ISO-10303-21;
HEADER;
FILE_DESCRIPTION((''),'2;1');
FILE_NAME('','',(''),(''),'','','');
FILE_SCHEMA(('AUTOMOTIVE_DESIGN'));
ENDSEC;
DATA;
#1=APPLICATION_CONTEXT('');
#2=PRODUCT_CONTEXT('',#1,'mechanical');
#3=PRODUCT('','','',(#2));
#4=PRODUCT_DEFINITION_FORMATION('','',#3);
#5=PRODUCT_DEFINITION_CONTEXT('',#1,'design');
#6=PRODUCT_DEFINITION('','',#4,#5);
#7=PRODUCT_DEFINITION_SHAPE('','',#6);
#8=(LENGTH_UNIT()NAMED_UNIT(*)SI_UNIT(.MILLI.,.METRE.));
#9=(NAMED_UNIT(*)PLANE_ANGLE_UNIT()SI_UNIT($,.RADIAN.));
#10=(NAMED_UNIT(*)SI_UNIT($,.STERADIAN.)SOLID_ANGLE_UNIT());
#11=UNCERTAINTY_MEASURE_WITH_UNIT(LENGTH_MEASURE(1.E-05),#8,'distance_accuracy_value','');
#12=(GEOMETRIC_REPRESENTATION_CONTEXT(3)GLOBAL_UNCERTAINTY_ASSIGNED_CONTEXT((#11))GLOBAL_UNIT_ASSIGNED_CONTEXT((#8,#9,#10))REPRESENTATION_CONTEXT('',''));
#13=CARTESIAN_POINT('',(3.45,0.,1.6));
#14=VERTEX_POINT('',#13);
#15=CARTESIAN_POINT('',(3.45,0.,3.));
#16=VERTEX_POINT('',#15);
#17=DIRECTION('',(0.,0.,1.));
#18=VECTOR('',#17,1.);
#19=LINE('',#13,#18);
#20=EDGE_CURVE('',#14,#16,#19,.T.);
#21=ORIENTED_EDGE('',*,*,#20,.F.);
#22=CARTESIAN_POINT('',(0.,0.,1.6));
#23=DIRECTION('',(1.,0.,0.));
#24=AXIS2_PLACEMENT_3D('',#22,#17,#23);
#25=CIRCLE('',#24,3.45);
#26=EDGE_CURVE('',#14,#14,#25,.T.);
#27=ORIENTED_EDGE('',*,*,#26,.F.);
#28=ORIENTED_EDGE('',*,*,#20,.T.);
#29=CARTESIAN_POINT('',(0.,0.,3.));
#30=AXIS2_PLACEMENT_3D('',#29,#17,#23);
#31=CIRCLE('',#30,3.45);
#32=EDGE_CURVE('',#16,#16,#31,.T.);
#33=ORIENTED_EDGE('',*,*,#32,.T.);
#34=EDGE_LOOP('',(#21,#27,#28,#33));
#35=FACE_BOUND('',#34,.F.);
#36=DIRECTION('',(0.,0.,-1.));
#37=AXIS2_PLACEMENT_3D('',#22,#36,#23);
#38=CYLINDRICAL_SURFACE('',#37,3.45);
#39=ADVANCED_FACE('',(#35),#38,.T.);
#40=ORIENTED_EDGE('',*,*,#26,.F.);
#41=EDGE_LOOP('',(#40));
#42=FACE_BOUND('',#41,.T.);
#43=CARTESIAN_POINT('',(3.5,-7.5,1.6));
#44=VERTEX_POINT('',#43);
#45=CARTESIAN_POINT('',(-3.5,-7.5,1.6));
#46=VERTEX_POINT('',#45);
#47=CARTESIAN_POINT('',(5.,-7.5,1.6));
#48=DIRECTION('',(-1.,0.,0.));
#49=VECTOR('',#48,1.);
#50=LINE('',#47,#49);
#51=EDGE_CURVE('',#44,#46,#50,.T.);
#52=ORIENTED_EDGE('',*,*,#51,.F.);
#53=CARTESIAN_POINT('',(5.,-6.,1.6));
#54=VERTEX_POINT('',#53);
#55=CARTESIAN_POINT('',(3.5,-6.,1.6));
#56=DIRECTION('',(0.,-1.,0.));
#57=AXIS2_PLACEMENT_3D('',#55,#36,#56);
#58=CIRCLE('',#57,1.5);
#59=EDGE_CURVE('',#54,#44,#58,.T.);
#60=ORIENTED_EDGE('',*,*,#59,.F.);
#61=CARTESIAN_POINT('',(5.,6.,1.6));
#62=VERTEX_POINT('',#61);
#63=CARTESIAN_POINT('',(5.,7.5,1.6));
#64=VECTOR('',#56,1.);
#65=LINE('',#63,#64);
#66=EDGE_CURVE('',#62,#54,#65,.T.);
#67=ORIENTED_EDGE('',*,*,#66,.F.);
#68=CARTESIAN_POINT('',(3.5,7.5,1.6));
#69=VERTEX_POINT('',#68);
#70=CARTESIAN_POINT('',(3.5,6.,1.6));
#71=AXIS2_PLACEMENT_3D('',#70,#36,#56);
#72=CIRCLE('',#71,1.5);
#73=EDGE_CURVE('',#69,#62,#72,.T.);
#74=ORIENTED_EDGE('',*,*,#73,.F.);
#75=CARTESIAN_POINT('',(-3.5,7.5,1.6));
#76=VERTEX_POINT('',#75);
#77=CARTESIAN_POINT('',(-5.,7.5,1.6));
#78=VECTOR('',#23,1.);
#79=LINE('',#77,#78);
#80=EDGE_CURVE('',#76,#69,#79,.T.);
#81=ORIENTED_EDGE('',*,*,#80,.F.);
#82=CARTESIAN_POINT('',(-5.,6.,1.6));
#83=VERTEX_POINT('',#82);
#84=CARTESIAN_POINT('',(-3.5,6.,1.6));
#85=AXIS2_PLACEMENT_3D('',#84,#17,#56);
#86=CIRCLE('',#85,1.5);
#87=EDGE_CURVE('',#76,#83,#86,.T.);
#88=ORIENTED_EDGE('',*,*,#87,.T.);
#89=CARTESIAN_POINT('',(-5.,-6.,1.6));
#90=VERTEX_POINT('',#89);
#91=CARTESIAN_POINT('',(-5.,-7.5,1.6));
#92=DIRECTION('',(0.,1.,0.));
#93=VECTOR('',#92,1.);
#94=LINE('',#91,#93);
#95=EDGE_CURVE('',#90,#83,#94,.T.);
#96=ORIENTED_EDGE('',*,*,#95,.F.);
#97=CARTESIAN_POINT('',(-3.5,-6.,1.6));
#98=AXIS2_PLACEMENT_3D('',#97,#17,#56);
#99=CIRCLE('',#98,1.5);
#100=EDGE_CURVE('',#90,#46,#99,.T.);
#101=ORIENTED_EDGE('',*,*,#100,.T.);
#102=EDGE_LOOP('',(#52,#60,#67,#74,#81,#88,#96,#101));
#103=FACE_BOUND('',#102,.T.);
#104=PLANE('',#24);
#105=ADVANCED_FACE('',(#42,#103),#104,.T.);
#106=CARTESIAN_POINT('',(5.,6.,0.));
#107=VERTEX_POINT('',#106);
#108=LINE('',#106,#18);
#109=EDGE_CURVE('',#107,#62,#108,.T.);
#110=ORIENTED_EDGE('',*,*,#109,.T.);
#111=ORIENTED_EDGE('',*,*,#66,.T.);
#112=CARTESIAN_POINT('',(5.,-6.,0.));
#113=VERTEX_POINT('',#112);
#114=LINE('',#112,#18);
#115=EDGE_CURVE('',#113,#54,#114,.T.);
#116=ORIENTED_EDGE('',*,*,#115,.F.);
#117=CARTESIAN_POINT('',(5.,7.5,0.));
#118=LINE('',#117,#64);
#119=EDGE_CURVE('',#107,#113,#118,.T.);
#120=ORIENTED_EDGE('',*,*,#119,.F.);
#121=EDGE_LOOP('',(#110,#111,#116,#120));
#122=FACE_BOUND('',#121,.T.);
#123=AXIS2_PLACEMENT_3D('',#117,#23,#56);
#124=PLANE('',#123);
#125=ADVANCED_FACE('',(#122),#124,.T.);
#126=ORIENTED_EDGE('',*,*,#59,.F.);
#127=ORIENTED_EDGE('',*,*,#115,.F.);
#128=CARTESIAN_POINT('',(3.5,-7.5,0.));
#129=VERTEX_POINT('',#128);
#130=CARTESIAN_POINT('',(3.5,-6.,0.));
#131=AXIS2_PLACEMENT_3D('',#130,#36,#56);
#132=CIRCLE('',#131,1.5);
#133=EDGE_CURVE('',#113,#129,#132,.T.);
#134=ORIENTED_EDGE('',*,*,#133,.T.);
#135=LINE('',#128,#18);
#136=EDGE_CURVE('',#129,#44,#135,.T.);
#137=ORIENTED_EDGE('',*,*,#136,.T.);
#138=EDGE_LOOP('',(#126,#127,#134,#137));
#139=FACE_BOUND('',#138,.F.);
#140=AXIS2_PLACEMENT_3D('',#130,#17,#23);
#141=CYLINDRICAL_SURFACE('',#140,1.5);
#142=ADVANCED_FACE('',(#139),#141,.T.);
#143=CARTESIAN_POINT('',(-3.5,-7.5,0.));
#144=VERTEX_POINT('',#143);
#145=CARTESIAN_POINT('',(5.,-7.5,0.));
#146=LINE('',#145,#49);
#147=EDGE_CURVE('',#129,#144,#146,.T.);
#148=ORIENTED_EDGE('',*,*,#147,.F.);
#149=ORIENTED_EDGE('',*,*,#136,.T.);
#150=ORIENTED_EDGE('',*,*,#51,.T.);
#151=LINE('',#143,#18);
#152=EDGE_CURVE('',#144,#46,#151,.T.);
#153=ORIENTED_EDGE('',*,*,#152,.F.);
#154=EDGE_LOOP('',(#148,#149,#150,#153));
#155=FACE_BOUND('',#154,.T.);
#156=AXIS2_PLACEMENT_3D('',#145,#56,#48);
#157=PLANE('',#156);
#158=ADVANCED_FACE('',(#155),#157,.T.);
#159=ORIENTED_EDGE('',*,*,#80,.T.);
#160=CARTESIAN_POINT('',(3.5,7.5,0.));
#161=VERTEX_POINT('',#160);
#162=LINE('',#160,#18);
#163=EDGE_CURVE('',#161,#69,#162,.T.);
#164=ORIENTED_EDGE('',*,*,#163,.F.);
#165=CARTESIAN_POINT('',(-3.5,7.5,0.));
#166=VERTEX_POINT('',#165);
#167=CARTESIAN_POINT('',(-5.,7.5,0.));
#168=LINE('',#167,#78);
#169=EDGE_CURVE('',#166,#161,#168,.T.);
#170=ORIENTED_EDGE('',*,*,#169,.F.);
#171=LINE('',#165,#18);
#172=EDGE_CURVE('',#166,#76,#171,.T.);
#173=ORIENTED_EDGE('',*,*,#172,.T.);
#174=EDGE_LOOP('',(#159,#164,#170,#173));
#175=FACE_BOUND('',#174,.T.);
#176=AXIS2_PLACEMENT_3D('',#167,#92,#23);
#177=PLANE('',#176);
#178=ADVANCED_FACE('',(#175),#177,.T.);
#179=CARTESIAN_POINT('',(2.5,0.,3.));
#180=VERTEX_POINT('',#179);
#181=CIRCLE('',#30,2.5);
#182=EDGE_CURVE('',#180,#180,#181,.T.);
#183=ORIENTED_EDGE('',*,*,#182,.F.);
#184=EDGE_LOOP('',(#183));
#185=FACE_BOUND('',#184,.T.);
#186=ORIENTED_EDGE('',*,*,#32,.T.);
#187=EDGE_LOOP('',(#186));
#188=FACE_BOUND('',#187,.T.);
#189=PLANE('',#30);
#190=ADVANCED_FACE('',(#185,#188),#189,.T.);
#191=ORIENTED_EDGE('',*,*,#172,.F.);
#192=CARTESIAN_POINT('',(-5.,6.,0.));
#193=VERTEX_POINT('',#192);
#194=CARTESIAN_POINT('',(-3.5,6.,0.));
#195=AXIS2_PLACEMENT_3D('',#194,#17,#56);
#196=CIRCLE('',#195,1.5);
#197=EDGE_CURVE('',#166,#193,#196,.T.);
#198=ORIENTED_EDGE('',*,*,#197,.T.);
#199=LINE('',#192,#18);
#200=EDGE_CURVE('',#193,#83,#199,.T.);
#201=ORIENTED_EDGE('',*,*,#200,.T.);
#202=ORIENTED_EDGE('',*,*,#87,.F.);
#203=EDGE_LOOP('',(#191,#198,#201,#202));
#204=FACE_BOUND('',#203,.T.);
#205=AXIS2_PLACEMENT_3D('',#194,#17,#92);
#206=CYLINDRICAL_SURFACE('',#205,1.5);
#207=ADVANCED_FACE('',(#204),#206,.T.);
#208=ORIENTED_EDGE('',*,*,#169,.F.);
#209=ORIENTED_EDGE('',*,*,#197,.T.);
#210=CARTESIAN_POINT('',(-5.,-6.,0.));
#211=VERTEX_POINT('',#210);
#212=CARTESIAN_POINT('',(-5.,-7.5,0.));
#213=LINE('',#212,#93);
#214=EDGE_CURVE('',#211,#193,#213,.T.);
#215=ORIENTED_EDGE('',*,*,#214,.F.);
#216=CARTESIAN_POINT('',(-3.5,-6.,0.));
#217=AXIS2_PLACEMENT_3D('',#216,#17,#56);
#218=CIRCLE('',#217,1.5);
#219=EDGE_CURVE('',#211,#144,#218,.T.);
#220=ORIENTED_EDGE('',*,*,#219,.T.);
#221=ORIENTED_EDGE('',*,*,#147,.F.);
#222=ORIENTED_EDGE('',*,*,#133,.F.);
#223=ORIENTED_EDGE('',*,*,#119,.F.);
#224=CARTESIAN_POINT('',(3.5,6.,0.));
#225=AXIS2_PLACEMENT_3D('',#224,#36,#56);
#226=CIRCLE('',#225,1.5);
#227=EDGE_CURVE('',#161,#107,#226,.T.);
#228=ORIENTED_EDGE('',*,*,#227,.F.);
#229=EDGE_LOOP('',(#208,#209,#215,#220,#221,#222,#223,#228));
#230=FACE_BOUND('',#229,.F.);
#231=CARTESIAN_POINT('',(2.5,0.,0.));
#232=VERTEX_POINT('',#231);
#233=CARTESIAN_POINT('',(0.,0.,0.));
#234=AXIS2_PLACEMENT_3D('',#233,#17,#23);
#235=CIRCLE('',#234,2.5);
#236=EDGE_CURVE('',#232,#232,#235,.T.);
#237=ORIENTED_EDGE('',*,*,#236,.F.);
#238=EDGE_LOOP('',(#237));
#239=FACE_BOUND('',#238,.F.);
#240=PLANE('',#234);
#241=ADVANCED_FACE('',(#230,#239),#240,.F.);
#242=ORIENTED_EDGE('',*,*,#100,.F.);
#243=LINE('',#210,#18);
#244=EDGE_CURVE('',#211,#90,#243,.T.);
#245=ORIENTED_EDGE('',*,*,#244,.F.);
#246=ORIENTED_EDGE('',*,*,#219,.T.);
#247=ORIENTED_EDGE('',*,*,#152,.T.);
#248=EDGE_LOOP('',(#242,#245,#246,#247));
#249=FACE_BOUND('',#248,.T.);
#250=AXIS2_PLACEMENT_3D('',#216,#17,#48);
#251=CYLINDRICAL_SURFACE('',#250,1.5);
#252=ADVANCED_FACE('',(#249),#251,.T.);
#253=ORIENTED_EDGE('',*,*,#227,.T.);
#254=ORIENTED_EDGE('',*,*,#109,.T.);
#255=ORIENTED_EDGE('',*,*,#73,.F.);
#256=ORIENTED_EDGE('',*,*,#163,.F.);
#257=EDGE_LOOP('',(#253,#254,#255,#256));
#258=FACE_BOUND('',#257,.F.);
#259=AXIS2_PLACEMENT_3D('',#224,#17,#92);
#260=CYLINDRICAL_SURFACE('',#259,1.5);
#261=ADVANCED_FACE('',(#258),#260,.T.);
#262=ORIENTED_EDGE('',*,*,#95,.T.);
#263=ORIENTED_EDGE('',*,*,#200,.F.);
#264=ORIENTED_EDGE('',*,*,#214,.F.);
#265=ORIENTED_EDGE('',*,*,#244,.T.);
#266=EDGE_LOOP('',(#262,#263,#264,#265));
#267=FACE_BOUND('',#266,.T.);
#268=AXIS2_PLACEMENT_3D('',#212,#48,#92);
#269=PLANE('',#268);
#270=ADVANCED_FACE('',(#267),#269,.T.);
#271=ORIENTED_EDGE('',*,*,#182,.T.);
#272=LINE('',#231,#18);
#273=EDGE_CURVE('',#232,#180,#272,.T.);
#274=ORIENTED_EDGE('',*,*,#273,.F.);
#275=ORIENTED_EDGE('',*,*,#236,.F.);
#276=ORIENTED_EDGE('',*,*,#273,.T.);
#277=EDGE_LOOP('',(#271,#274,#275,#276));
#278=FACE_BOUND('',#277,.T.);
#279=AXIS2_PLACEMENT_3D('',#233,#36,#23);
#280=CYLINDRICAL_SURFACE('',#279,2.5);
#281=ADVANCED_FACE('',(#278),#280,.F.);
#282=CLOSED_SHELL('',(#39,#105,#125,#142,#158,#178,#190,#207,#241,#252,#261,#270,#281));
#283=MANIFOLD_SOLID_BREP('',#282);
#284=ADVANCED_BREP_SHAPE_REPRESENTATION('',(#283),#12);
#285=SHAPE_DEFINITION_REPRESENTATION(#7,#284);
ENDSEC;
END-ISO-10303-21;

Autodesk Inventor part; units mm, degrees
ref_plane "YZ Plane" through (0, 0, 0) normal (1, 0, 0) x (0, 1, 0)
ref_plane "XZ Plane" through (0, 0, 0) normal (0, 1, 0) x (-1, 0, 0)
ref_plane "XY Plane" through (0, 0, 0) normal (0, 0, 1) x (1, 0, 0)
sketch "Sketch1" plane through (0, 0, 0) normal (0, 0, 1) x (1, 0, 0)
  line L0 (-5, 7.5) -> (5, 7.5)
  line L1 (5, 7.5) -> (5, -7.5)
  line L2 (5, -7.5) -> (-5, -7.5)
  line L3 (-5, -7.5) -> (-5, 7.5)
  line L4 (0, 7.5) -> (0, -7.5) construction
  line L5 (-5, 0) -> (5, 0) construction
  circle A0 centre (0, 0) radius 2.5
  dimension "d0" = 15
  dimension "d1" = 10
  dimension "d2" = 5
extrude "Extrusion1" add sketch "Sketch1" along normal blind 1.6
sketch "Sketch2" plane through (0, 0, 1.6) normal (0, 0, 1) x (1, 0, 0)
  circle A0 centre (0, 0) radius 2.5 projected
  circle A1 centre (0, 0) radius 3.45
  dimension "d5" = 6.9
extrude "Extrusion2" add sketch "Sketch2" along normal blind 1.4
thread "Thread1" size "M5x0.8" class "6H" standard "ANSI Metric M Profile" full length
fillet "Fillet1" radius 1.5 4 edges at (5, 7.5, 0.8) (-5, 7.5, 0.8) (-5, -7.5, 0.8) (5, -7.5, 0.8)
properties part number "t-nut"
